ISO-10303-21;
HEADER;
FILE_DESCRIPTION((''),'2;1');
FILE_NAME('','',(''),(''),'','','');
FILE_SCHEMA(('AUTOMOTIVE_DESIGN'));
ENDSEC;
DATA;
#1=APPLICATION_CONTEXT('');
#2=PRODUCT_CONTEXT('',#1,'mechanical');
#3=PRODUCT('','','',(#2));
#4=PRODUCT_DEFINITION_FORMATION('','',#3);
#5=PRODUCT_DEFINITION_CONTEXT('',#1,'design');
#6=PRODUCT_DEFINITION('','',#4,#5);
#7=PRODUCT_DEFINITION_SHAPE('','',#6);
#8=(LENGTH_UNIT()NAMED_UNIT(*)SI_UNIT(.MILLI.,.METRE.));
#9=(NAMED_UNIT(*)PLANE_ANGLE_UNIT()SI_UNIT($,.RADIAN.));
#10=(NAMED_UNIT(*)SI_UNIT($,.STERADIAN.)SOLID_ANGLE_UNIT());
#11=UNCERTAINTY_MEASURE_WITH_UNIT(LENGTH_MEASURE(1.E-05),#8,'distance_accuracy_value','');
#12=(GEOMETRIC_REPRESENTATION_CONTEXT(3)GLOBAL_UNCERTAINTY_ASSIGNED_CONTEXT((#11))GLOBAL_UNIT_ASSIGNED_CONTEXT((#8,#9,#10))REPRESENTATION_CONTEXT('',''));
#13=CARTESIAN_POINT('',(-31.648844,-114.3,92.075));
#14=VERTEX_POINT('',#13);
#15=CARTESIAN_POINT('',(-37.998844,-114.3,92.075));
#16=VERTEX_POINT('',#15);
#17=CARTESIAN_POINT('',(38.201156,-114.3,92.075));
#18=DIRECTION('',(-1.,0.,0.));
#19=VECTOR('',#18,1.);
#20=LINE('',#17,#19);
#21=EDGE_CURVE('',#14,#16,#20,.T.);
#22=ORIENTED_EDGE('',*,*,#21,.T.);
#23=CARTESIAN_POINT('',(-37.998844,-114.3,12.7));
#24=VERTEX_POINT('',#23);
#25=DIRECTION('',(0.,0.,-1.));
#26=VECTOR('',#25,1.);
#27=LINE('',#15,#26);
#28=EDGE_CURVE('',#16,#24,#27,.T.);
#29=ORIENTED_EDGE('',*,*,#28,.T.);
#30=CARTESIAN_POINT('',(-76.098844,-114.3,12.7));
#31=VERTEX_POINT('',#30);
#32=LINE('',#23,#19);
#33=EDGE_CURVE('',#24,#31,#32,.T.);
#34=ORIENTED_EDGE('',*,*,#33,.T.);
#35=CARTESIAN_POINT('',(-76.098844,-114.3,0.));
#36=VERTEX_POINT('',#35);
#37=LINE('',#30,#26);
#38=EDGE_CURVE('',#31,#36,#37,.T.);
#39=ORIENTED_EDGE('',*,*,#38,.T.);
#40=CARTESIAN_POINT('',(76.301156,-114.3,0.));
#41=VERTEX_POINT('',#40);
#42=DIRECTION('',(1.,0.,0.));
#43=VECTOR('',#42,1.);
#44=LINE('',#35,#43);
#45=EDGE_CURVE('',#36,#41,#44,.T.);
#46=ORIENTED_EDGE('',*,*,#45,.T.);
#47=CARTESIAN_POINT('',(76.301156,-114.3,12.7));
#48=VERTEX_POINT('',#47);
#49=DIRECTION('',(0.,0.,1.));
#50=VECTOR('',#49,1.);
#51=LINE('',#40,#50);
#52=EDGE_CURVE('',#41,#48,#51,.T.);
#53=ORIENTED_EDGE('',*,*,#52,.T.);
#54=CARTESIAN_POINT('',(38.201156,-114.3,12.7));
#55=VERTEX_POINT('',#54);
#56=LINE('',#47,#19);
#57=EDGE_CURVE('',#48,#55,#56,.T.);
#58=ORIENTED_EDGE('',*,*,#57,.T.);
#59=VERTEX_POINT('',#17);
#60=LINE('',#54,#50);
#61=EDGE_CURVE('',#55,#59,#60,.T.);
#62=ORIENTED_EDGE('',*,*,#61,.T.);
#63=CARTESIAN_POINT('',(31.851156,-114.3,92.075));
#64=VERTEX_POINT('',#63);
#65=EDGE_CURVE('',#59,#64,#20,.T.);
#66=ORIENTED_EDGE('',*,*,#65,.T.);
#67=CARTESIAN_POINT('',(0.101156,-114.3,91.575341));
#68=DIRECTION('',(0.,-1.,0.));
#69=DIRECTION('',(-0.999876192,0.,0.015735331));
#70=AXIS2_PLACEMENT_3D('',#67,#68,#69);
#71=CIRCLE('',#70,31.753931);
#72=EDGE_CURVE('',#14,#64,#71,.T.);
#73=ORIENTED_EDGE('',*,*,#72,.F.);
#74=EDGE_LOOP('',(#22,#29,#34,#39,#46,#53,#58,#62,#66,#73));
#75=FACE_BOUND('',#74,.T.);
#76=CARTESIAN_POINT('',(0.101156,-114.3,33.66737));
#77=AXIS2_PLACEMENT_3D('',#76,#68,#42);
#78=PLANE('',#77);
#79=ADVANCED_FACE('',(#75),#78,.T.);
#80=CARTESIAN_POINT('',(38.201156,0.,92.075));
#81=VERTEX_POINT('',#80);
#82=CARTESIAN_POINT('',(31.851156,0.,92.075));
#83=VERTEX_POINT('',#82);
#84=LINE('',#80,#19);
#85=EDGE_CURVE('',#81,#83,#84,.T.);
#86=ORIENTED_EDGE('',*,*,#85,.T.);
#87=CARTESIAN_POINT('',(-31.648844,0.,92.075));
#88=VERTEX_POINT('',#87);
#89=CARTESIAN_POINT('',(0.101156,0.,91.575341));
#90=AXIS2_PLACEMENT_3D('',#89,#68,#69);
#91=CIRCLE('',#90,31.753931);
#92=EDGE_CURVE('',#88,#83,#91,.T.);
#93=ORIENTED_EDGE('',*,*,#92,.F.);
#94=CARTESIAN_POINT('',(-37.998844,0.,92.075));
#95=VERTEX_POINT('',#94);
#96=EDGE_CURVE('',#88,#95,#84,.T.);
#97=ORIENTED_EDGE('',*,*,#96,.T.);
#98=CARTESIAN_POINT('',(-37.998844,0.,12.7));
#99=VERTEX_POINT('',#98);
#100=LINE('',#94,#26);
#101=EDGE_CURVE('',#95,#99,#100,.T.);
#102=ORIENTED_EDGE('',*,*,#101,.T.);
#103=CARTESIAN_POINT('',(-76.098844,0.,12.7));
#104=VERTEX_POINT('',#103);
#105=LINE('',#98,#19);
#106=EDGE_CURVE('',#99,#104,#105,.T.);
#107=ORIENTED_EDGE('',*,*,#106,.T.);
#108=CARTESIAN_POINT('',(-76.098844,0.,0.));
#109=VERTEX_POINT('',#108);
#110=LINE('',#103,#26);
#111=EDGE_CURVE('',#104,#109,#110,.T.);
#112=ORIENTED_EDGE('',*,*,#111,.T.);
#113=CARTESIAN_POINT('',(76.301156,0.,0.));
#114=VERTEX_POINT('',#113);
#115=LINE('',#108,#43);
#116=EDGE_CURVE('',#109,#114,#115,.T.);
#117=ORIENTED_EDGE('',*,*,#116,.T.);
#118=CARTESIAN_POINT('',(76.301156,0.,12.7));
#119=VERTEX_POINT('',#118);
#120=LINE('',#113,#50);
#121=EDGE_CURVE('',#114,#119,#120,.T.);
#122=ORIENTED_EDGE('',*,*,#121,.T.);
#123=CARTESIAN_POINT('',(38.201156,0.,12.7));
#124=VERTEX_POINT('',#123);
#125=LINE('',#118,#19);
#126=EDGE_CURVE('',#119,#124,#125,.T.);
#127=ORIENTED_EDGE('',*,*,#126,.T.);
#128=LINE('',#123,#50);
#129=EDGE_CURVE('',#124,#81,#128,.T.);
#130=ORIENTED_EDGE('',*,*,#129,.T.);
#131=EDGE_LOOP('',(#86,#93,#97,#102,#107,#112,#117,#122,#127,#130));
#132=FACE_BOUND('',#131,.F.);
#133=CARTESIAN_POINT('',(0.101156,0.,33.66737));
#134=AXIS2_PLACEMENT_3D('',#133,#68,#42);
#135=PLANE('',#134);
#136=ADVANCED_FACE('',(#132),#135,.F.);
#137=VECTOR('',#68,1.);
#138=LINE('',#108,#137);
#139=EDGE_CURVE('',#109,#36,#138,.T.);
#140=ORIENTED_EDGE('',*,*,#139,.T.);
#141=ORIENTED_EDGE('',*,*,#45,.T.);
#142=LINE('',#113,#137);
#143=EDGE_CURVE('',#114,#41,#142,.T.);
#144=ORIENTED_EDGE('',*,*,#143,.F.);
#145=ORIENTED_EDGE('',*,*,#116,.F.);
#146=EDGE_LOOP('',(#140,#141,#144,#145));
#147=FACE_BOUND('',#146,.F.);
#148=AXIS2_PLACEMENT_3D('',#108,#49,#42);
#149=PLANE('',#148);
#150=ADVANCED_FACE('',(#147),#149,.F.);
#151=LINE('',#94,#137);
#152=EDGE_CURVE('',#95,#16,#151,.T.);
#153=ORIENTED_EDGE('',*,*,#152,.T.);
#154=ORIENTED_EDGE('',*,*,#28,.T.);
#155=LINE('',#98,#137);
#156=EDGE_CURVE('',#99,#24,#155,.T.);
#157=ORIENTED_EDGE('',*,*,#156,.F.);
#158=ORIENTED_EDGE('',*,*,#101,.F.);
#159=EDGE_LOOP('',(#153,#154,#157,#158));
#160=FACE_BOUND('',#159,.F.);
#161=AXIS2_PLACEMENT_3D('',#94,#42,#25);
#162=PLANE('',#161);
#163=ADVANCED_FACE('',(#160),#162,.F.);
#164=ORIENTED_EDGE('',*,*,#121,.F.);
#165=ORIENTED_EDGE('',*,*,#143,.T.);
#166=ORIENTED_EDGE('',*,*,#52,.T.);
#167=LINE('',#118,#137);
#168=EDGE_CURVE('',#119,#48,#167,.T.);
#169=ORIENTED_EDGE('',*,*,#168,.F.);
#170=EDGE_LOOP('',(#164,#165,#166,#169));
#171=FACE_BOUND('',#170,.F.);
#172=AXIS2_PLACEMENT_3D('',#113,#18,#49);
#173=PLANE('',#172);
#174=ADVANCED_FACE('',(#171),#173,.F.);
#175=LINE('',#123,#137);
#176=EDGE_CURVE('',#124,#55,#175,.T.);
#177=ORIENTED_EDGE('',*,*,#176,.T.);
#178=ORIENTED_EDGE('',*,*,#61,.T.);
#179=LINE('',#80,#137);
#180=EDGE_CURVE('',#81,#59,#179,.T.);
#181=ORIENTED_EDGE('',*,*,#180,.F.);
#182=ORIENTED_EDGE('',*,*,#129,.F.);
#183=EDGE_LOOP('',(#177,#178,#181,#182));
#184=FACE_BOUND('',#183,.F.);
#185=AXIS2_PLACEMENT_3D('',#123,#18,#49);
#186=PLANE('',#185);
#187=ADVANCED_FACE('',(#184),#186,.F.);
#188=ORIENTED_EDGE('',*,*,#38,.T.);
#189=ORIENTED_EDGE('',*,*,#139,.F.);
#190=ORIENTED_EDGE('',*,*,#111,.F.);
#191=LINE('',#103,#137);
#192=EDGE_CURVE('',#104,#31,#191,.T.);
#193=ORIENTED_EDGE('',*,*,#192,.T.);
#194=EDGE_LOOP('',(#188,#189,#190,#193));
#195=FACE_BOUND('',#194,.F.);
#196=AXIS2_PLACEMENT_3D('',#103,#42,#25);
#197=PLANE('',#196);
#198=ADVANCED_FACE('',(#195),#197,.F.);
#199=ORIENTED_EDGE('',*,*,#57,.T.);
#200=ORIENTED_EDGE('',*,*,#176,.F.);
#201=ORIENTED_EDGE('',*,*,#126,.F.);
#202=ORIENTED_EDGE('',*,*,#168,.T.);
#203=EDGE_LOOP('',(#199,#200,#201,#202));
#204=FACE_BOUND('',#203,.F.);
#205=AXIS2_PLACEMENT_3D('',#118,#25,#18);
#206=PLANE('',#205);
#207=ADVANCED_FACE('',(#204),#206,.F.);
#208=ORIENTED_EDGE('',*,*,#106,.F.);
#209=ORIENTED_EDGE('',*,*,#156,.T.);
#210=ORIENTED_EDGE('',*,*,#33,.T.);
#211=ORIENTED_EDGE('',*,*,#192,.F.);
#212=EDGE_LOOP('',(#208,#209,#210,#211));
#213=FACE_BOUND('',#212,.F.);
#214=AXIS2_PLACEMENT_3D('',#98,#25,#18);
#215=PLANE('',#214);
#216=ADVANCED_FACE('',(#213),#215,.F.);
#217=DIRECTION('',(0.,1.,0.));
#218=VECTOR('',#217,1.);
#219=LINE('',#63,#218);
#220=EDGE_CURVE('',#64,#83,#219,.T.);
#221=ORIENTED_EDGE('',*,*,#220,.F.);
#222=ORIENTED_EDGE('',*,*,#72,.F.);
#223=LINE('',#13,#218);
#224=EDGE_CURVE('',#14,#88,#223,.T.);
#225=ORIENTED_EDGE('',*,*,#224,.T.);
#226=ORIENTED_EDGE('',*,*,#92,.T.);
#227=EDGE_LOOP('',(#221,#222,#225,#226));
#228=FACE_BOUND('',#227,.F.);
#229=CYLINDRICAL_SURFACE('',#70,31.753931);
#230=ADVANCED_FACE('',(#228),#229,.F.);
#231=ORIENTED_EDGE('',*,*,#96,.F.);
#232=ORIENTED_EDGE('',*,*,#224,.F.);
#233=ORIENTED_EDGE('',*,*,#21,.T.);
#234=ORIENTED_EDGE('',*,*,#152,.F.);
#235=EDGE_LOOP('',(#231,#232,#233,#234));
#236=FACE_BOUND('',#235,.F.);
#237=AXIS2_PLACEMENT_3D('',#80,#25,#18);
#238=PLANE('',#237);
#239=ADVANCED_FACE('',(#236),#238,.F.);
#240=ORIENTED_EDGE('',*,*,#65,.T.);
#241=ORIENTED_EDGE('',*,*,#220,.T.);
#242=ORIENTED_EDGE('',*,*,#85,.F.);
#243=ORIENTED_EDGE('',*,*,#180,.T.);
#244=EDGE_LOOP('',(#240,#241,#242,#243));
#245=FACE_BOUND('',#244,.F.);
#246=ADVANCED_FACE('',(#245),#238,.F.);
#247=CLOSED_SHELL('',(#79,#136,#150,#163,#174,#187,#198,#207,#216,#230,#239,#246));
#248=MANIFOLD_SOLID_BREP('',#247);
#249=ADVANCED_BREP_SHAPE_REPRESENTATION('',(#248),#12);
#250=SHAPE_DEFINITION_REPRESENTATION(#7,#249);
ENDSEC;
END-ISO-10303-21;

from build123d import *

# Parameters (mm, degrees)
F1_DEPTH = 114.3
F3_DEPTH = 114.3


with BuildPart() as f1:
    # F0 (on Front) → F1 (new body)
    with BuildSketch(Plane.XZ):
        Polygon((-76.098844, 12.7), (-76.098844, 0), (76.301156, 0), (76.301156, 12.7), (38.201156, 12.7), (38.201156, 92.075), (-37.998844, 92.075), (-37.998844, 12.7), align=None)
    extrude(amount=F1_DEPTH)

    # F2 (on face) → F3 (cut, through all)
    with BuildSketch(Plane.XZ.offset(114.3)):
        with BuildLine():
            Line((31.851156, 92.075), (-31.648844, 92.075))
            ThreePointArc((-31.648844, 92.075), (0.101156, 59.82141), (31.851156, 92.075))
        make_face()
    extrude(amount=-F3_DEPTH, mode=Mode.SUBTRACT)


solid = f1.part
